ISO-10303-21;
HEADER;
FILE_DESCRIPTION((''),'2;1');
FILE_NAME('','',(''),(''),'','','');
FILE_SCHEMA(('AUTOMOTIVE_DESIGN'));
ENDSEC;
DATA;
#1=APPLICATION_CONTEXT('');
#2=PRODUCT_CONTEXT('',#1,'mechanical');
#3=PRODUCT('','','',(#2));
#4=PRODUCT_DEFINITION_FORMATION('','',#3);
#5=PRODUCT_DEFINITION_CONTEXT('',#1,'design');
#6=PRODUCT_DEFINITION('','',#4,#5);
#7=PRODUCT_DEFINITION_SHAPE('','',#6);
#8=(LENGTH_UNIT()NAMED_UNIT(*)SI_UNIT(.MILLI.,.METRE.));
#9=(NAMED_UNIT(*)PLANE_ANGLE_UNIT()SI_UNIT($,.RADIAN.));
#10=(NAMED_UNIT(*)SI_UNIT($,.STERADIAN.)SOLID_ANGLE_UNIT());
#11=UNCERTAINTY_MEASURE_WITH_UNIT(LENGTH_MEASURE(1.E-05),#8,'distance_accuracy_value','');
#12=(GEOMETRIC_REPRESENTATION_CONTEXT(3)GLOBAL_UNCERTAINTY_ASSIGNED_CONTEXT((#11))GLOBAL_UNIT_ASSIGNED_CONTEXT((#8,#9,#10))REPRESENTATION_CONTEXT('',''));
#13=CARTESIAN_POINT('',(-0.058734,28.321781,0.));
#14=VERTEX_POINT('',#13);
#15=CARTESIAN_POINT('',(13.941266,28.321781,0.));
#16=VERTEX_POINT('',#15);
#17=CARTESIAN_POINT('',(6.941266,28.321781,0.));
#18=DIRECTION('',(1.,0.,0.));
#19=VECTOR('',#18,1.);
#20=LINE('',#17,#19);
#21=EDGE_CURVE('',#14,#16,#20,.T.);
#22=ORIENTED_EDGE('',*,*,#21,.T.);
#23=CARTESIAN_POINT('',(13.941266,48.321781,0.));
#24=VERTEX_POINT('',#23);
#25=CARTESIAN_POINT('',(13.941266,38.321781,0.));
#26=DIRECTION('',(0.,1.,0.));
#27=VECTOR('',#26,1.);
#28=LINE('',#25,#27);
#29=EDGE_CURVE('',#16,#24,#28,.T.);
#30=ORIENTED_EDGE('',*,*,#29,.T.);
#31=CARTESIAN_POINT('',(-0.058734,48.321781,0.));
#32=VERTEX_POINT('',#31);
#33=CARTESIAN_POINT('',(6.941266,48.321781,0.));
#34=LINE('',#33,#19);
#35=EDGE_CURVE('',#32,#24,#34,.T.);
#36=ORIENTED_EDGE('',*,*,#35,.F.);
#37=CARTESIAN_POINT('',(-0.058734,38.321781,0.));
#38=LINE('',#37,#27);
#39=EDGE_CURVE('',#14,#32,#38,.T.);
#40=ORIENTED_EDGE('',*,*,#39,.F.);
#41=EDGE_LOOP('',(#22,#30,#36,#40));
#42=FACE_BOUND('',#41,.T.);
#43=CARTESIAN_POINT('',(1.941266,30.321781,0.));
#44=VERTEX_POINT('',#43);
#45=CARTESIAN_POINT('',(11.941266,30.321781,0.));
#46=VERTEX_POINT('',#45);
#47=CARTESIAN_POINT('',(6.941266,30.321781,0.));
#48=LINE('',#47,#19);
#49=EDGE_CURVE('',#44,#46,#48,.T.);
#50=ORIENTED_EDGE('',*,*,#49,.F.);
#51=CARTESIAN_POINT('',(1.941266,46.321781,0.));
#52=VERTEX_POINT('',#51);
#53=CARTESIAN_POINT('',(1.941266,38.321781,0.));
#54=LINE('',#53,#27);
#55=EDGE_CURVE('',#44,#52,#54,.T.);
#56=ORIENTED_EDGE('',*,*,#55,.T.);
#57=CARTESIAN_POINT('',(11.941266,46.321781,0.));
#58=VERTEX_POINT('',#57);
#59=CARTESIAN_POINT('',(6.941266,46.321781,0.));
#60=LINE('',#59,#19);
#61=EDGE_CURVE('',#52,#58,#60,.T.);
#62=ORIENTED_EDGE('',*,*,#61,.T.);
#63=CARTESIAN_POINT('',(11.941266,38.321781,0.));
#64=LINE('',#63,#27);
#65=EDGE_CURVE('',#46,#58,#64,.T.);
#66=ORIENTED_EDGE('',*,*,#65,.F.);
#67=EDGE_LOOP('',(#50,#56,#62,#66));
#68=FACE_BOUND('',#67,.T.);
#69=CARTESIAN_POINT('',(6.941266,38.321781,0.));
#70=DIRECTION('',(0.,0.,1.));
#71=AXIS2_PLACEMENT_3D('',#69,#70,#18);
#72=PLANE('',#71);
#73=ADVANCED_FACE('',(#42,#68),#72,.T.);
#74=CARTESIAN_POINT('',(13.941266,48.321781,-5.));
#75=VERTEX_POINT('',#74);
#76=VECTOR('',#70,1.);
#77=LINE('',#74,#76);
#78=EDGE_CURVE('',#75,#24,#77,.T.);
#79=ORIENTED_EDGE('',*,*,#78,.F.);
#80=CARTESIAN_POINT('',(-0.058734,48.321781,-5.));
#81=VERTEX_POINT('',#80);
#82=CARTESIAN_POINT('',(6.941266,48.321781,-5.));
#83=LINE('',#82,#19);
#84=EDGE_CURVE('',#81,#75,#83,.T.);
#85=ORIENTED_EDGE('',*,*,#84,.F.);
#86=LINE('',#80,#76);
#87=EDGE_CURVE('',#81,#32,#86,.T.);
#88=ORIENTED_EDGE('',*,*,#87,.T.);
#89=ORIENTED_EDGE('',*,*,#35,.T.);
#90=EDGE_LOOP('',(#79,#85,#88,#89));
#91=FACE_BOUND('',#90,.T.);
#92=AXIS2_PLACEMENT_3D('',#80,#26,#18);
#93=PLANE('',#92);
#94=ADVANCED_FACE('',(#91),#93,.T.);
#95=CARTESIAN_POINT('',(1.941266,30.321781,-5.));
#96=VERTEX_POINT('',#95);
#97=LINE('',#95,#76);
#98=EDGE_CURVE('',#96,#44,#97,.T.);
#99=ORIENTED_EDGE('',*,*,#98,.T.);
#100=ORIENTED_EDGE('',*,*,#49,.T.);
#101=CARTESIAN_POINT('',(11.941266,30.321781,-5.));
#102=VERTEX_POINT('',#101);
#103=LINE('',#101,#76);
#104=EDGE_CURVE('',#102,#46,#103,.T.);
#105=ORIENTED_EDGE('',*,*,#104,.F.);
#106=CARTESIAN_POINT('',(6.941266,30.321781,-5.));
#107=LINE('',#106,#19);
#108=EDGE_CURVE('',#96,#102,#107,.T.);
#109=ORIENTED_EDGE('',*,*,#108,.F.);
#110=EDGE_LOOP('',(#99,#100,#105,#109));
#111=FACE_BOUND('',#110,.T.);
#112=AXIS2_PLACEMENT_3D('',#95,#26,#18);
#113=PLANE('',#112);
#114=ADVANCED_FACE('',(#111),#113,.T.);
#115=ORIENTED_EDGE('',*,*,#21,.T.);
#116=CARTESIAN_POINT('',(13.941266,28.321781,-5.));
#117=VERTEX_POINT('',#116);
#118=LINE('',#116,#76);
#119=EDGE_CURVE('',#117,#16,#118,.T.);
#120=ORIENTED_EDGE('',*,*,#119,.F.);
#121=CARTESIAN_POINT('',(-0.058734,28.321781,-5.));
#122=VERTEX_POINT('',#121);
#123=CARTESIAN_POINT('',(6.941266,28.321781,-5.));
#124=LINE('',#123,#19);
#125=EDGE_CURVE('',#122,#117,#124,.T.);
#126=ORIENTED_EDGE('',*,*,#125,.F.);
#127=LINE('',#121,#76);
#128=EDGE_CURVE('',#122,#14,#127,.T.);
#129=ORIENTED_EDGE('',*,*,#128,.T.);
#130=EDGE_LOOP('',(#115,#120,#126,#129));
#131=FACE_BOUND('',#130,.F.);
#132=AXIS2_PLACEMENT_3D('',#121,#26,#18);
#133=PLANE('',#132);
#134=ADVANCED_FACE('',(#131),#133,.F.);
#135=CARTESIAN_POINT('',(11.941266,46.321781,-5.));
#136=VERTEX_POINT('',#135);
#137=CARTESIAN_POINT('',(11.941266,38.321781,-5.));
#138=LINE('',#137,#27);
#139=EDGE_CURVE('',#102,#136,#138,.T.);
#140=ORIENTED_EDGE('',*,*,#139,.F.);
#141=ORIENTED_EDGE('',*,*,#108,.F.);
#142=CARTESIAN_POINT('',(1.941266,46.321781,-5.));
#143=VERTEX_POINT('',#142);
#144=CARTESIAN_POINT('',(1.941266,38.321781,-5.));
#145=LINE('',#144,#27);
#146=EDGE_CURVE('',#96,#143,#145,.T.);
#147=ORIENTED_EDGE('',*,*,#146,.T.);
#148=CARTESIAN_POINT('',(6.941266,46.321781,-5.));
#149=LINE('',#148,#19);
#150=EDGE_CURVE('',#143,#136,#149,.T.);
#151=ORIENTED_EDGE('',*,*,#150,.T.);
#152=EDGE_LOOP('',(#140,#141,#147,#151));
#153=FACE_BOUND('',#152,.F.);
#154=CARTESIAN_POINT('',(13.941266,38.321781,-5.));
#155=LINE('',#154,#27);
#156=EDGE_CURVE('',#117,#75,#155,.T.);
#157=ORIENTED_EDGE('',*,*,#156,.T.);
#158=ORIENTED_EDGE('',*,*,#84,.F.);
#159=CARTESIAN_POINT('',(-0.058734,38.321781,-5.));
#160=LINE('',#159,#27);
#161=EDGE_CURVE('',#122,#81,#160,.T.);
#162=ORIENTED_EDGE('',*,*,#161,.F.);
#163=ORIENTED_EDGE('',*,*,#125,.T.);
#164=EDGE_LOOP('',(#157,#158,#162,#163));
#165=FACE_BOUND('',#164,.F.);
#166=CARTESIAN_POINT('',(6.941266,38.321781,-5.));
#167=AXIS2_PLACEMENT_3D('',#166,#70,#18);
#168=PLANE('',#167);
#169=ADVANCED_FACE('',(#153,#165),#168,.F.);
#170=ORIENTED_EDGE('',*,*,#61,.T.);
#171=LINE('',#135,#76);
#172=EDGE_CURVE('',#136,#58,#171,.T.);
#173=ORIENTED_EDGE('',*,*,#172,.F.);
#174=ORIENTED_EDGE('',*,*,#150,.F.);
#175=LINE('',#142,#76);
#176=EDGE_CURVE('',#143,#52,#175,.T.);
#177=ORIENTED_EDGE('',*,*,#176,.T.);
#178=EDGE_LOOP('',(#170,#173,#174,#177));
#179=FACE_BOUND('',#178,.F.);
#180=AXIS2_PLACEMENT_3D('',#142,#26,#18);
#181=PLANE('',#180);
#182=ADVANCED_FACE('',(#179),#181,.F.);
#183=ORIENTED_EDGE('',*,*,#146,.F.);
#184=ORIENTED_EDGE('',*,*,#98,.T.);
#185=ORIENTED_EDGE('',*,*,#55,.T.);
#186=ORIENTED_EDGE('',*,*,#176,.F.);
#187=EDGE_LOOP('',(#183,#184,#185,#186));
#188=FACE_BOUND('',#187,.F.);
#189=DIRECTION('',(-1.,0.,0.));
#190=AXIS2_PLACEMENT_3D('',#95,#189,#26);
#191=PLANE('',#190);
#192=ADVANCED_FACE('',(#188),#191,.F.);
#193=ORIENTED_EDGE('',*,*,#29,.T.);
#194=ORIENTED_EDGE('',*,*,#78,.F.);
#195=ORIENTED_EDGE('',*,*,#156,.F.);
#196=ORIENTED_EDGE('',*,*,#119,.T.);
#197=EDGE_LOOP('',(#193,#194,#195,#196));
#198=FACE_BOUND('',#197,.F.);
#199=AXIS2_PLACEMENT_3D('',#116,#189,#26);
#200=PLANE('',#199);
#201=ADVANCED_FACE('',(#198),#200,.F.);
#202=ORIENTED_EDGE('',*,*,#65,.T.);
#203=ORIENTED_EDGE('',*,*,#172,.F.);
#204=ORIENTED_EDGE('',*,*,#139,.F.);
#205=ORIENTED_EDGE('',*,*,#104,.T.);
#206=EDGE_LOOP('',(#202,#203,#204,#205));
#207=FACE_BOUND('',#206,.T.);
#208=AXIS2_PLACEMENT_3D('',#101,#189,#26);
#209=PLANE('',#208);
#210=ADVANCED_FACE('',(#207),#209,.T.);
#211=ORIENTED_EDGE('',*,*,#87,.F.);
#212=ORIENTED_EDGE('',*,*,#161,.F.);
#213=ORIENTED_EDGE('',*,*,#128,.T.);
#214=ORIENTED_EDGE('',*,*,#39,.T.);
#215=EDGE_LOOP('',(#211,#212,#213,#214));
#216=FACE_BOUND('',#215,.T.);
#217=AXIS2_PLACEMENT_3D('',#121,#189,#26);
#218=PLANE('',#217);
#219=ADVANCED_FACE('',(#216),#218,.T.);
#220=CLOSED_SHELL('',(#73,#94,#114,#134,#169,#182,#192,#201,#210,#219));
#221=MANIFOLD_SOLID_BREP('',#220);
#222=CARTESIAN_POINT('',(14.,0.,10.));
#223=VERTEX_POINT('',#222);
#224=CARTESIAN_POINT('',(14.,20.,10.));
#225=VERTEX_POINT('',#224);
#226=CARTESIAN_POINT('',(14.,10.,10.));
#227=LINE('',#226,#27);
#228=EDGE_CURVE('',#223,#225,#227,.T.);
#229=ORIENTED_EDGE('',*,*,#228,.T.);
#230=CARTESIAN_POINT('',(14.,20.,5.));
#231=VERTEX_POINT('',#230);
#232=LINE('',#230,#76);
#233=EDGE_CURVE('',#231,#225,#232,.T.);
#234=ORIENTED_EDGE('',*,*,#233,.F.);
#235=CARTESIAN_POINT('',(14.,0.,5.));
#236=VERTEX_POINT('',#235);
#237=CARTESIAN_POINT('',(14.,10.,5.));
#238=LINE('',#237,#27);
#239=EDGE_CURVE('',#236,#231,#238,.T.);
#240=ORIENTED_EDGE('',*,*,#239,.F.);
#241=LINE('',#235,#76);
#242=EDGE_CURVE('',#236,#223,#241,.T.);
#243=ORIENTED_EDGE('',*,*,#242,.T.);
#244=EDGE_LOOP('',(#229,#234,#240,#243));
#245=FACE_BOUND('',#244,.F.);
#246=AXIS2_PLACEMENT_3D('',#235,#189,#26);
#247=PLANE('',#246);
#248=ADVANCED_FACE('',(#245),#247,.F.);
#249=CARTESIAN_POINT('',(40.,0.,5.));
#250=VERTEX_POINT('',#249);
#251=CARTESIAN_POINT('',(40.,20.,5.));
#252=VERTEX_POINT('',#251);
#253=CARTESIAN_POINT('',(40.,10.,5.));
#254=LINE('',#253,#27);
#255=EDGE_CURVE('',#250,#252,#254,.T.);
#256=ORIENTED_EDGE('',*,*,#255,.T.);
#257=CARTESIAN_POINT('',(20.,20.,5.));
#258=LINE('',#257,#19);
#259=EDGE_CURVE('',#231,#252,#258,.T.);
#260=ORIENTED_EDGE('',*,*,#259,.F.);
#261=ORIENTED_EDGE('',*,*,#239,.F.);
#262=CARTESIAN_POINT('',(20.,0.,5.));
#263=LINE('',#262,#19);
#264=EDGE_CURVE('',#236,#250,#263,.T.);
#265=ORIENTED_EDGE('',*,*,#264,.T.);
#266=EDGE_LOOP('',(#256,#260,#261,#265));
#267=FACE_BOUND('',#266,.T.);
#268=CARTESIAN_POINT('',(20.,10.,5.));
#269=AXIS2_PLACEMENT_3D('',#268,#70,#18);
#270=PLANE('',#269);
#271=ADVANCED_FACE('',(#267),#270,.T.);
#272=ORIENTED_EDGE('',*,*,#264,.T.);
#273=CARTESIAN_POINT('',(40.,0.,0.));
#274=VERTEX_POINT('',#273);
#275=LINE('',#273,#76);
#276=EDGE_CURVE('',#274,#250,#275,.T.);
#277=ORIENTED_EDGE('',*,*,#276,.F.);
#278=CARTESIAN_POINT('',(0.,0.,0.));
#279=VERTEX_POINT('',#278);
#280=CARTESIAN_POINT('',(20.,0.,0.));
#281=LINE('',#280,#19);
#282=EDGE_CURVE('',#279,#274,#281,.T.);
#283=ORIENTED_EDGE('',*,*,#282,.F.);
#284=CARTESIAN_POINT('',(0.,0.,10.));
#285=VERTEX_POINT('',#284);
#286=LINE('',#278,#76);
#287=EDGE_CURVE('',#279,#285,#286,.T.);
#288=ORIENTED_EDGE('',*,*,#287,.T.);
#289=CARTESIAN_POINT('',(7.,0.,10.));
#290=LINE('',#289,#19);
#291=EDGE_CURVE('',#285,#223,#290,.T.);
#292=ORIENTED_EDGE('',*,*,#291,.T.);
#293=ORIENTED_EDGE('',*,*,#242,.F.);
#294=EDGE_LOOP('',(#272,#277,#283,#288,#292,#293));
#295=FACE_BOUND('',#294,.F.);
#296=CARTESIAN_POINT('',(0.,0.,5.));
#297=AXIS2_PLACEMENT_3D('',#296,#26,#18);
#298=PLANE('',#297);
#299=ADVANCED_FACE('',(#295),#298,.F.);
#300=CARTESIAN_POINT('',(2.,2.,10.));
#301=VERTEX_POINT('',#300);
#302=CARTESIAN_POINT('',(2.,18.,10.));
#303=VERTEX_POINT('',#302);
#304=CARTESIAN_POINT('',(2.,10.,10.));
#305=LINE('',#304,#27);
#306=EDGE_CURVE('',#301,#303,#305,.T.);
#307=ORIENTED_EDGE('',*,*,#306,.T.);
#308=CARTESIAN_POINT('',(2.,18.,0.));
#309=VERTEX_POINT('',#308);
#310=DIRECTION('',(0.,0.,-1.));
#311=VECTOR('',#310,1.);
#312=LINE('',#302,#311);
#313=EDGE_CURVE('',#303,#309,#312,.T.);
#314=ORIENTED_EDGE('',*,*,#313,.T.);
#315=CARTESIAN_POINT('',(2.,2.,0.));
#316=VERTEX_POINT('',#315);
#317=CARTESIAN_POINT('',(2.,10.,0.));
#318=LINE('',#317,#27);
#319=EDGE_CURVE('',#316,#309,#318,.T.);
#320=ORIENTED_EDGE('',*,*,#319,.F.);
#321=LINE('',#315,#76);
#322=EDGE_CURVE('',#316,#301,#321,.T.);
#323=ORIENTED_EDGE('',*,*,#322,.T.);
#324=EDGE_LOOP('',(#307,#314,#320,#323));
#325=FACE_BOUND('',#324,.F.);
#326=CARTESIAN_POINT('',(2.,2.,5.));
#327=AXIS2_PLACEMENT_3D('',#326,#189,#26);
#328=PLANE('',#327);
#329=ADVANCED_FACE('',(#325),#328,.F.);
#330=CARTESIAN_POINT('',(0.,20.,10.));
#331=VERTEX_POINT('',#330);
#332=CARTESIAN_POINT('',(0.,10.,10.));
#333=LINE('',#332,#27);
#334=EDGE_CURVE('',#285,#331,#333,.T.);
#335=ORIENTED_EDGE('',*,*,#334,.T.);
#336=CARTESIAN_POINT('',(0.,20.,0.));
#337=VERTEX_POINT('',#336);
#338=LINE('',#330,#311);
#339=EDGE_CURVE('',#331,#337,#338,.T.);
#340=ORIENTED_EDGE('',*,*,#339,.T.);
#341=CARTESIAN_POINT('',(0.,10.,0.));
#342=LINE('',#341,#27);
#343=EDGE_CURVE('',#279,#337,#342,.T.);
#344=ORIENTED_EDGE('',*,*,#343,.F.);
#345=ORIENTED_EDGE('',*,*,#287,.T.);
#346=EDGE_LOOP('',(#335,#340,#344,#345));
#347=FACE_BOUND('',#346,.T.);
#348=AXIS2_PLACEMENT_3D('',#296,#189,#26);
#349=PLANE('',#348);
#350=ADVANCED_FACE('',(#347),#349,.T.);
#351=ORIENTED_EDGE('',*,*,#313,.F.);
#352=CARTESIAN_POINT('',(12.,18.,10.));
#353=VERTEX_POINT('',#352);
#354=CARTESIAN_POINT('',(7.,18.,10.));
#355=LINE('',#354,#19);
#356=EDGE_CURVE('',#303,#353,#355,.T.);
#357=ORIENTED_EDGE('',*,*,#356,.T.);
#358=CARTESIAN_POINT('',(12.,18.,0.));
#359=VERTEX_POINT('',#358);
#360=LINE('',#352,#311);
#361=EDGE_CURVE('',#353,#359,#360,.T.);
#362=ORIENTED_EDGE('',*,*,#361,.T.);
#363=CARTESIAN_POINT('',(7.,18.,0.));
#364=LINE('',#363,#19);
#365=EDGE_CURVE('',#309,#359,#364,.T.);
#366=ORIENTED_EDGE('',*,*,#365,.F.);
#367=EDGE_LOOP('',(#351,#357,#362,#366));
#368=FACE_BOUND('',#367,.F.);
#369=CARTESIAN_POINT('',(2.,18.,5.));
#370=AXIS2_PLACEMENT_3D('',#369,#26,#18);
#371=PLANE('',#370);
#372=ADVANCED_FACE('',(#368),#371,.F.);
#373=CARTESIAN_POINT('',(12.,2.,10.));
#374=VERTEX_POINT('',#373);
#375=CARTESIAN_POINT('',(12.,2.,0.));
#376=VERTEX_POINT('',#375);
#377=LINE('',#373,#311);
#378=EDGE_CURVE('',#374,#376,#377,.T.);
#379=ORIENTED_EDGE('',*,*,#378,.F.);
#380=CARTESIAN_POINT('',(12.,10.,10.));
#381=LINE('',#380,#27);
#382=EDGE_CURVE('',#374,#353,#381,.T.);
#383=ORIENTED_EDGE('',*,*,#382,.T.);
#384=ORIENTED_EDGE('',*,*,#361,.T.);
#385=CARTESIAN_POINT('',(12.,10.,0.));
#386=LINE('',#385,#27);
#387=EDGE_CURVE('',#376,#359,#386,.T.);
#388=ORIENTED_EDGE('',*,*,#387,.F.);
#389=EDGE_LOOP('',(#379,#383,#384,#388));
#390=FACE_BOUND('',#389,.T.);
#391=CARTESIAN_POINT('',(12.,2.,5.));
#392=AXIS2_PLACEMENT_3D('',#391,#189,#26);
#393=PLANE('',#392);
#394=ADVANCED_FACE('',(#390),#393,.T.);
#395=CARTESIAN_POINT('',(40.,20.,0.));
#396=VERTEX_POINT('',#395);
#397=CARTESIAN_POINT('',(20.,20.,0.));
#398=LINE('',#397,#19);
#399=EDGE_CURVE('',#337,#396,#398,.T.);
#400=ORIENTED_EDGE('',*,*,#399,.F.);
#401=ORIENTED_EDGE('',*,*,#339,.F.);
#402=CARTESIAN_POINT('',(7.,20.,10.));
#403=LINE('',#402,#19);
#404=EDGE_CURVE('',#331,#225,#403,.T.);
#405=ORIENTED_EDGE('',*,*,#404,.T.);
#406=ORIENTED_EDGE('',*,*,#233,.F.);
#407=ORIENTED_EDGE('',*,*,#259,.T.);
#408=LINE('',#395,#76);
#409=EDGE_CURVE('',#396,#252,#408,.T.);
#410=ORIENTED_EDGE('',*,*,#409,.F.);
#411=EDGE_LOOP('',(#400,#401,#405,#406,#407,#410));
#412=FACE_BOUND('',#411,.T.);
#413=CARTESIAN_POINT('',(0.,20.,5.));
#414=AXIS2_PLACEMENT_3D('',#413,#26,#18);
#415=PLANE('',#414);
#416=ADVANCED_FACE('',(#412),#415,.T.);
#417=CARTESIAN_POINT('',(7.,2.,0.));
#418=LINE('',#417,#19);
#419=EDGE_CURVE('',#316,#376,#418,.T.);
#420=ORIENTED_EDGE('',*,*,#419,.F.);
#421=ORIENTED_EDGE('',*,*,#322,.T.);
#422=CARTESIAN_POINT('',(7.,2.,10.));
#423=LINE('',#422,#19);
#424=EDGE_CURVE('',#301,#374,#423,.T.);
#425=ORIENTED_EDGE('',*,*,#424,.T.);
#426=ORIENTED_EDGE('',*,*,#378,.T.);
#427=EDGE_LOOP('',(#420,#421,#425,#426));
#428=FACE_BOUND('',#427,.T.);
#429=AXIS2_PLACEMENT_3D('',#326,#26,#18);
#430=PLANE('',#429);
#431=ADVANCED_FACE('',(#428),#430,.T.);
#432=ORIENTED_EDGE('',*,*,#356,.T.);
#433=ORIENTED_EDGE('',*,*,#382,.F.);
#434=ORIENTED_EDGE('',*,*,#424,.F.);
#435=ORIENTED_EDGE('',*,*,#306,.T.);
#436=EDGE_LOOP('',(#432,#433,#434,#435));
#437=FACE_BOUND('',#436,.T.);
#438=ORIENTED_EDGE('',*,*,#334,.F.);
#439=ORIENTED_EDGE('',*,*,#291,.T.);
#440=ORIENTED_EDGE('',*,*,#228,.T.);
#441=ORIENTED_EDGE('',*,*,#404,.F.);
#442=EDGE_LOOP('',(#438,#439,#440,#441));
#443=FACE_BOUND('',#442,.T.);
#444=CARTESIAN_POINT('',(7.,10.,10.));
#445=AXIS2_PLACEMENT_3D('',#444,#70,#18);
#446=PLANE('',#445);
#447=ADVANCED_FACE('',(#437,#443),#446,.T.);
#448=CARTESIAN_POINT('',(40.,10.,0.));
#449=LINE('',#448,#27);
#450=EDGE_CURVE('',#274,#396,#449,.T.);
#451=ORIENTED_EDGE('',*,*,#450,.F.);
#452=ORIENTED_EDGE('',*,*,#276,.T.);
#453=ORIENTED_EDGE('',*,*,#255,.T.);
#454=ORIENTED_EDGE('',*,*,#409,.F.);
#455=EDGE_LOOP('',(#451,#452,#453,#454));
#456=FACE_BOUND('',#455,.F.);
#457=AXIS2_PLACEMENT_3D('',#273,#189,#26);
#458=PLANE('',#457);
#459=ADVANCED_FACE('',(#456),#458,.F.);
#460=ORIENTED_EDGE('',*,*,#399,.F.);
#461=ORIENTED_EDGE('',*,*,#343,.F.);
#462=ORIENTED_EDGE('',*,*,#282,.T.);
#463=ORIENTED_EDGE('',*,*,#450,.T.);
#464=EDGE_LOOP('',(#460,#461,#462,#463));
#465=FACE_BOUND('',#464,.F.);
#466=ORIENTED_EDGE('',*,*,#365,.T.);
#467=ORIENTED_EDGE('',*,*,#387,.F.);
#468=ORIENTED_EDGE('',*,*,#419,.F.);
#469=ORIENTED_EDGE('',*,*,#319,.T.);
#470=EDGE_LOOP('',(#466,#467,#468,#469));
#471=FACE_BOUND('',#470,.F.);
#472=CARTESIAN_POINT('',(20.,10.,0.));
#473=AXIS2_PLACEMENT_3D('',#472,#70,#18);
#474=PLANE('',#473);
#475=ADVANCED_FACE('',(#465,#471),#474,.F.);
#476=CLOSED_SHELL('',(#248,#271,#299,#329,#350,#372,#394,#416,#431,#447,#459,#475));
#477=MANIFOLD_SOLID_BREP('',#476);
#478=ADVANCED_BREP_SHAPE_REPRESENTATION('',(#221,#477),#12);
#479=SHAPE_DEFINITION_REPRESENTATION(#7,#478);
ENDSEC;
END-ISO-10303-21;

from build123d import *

# Parameters (mm, degrees)
F2_W     = 14
F2_H     = 20
F2_W_2   = 10
F2_H_2   = 16
F3_DEPTH = 5
F0_W     = 40
F0_H     = 20
F0_W_2   = 10
F0_H_2   = 16
F4_DEPTH = 5
F5_W     = 14
F5_H     = 20
F5_W_2   = 10
F5_H_2   = 16
F6_DEPTH = 5


with BuildPart() as f3:
    # F2 (on offset) → F3 (new body)
    with BuildSketch(Plane.XY.offset(-5)):
        with Locations((6.941266, 38.321781)):
            Rectangle(F2_W, F2_H)
        with Locations((6.941266, 38.321781)):
            Rectangle(F2_W_2, F2_H_2, mode=Mode.SUBTRACT)
    extrude(amount=F3_DEPTH)


with BuildPart() as f4:
    # F0 (on Top) → F4 (new body)
    with BuildSketch(Plane.XY):
        with Locations((20, 10)):
            Rectangle(F0_W, F0_H)
        with Locations((7, 10)):
            Rectangle(F0_W_2, F0_H_2, mode=Mode.SUBTRACT)
    extrude(amount=F4_DEPTH)

    # F5 (on face) → F6 (join)
    with BuildSketch(Plane.XY.offset(5)):
        with Locations((7, 10)):
            Rectangle(F5_W, F5_H)
        with Locations((7, 10)):
            Rectangle(F5_W_2, F5_H_2, mode=Mode.SUBTRACT)
    extrude(amount=F6_DEPTH)


solid = Compound([f3.part, f4.part])
